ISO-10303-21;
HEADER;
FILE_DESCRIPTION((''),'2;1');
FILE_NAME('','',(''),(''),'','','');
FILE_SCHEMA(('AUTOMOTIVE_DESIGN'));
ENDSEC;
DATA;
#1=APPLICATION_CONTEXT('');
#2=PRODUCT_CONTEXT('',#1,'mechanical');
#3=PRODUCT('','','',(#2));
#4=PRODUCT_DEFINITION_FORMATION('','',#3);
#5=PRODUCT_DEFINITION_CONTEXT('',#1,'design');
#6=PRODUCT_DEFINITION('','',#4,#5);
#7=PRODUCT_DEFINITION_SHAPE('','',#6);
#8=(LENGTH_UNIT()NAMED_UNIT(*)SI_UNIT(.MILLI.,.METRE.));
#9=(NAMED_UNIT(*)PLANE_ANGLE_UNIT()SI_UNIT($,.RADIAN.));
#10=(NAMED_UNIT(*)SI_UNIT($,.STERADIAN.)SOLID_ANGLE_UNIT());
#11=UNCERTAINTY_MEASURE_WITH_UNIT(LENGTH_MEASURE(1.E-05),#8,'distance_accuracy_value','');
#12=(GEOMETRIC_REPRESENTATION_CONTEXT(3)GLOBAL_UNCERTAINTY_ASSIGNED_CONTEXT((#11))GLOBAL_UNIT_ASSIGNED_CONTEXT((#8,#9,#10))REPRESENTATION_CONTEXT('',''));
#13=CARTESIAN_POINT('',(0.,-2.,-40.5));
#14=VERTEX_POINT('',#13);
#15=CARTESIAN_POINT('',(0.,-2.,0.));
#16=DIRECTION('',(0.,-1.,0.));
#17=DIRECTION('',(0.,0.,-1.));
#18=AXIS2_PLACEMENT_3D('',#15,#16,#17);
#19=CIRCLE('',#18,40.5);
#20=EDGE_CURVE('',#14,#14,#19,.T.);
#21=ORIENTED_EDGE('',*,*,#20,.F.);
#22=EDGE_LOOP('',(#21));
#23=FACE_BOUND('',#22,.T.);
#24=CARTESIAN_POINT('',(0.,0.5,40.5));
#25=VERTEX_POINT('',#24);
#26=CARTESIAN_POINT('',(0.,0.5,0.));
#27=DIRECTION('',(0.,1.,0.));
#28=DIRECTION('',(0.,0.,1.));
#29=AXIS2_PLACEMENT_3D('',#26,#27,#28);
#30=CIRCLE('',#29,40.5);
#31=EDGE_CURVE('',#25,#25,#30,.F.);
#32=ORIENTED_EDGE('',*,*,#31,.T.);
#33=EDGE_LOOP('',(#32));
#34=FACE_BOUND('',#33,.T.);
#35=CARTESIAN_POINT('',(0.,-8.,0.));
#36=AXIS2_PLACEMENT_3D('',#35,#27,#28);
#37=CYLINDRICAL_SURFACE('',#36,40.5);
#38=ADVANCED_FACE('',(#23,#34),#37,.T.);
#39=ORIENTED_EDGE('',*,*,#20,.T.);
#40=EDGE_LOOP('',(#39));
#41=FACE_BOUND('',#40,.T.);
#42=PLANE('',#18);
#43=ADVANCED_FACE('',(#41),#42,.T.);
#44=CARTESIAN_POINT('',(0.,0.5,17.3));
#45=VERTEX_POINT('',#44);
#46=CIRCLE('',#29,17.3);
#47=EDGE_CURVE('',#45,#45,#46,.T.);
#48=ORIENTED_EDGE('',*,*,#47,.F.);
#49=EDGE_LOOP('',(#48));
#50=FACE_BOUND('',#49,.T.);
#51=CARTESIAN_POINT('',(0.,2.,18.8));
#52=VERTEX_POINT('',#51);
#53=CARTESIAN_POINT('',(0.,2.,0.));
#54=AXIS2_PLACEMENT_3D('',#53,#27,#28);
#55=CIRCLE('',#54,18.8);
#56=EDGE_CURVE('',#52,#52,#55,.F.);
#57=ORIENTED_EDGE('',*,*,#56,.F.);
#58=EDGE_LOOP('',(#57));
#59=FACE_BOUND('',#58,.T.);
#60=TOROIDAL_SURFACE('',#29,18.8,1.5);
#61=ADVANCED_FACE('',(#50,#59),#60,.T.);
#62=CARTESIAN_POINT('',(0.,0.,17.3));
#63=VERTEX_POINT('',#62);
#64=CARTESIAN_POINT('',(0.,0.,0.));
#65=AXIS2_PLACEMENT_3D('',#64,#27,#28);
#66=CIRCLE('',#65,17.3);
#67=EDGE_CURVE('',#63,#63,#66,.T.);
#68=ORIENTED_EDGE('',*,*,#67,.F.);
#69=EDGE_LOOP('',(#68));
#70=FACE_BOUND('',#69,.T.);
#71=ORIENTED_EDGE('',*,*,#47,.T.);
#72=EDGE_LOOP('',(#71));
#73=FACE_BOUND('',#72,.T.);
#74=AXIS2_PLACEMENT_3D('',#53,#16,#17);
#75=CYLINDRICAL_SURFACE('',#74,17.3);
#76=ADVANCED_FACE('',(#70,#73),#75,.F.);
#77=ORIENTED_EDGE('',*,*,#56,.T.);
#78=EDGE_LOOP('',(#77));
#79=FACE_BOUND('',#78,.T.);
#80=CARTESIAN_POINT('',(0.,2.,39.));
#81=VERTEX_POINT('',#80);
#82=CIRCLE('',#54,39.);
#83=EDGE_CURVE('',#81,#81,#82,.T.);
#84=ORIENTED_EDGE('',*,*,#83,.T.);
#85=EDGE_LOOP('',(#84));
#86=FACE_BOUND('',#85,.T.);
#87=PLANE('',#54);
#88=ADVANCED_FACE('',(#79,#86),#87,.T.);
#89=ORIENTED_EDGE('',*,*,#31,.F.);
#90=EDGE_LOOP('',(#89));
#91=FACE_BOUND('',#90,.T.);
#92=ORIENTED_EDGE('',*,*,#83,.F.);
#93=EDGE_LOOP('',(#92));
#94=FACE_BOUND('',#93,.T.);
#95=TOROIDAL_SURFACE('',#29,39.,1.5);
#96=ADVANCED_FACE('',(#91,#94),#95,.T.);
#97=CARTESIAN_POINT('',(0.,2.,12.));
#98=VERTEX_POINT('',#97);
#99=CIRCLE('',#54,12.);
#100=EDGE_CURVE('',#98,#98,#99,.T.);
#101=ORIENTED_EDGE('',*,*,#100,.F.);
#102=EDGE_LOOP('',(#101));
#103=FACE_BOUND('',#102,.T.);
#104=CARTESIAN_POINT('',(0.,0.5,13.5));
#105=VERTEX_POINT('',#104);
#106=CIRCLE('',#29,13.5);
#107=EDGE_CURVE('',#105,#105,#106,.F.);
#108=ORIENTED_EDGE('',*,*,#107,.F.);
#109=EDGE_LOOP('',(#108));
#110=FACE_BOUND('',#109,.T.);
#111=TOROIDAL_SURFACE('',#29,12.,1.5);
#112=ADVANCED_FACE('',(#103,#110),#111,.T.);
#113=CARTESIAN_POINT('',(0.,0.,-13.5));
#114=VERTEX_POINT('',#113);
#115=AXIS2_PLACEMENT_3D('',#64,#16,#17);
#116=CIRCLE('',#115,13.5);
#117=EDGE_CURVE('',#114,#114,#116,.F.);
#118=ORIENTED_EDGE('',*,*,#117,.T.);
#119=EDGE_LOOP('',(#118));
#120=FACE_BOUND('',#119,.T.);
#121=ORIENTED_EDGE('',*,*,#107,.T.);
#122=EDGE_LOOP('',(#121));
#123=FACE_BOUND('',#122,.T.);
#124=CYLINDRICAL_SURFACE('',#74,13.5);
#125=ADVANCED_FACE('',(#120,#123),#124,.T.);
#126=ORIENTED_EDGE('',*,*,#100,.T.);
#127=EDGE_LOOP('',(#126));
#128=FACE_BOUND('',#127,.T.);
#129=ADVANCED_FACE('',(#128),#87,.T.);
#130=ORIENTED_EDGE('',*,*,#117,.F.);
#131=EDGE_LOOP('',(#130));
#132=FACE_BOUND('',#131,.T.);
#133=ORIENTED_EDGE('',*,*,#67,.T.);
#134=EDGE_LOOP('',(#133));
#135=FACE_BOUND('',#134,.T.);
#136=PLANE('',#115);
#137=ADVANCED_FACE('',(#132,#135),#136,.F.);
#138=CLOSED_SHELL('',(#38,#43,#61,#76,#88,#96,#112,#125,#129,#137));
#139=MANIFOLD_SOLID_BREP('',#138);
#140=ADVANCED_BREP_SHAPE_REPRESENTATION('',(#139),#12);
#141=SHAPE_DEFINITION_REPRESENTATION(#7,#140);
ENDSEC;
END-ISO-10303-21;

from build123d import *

# Parameters (mm, degrees)
CROQUIS1_R              = 45
CROQUIS1_R_2            = 40.5
CROQUIS1_R_3            = 17.3
CROQUIS1_R_4            = 13.5
SALIENTE_EXTRUIR1_DEPTH = 2
CROQUIS2_R              = 45
SALIENTE_EXTRUIR2_DEPTH = 2
CROQUIS3_R              = 56.484635106
CROQUIS3_R_2            = 40.5
CORTAR_EXTRUIR1_DEPTH   = 10
REDONDEO2_R             = 1.5


with BuildPart() as part:
    # Croquis1 → Saliente-Extruir1 (new body)
    with BuildSketch(Plane(origin=(0, 0, 0), x_dir=(1, 0, 0), z_dir=(0, 1, 0))):
        Circle(CROQUIS1_R)
        Circle(CROQUIS1_R_2, mode=Mode.SUBTRACT)
        Circle(CROQUIS1_R_2)
        Circle(CROQUIS1_R_3, mode=Mode.SUBTRACT)
        Circle(CROQUIS1_R_4)
    extrude(amount=SALIENTE_EXTRUIR1_DEPTH)

    # Croquis2 → Saliente-Extruir2 (add)
    with BuildSketch(Plane.XZ):
        Circle(CROQUIS2_R)
    extrude(amount=SALIENTE_EXTRUIR2_DEPTH)

    # Croquis3 → Cortar-Extruir1 (cut)
    with BuildSketch(Plane(origin=(0, 2, 0), x_dir=(1, 0, 0), z_dir=(0, 1, 0))):
        Circle(CROQUIS3_R)
        Circle(CROQUIS3_R_2, mode=Mode.SUBTRACT)
    extrude(amount=-CORTAR_EXTRUIR1_DEPTH, mode=Mode.SUBTRACT)

    # Redondeo2
    redondeo2_edges = [part.edges().sort_by_distance(p)[0] for p in [
        (-13.5, 2, 0),
        (-40.5, 2, 0),
        (-17.3, 2, 0),
    ]]
    fillet(redondeo2_edges, radius=REDONDEO2_R)


solid = part.part
